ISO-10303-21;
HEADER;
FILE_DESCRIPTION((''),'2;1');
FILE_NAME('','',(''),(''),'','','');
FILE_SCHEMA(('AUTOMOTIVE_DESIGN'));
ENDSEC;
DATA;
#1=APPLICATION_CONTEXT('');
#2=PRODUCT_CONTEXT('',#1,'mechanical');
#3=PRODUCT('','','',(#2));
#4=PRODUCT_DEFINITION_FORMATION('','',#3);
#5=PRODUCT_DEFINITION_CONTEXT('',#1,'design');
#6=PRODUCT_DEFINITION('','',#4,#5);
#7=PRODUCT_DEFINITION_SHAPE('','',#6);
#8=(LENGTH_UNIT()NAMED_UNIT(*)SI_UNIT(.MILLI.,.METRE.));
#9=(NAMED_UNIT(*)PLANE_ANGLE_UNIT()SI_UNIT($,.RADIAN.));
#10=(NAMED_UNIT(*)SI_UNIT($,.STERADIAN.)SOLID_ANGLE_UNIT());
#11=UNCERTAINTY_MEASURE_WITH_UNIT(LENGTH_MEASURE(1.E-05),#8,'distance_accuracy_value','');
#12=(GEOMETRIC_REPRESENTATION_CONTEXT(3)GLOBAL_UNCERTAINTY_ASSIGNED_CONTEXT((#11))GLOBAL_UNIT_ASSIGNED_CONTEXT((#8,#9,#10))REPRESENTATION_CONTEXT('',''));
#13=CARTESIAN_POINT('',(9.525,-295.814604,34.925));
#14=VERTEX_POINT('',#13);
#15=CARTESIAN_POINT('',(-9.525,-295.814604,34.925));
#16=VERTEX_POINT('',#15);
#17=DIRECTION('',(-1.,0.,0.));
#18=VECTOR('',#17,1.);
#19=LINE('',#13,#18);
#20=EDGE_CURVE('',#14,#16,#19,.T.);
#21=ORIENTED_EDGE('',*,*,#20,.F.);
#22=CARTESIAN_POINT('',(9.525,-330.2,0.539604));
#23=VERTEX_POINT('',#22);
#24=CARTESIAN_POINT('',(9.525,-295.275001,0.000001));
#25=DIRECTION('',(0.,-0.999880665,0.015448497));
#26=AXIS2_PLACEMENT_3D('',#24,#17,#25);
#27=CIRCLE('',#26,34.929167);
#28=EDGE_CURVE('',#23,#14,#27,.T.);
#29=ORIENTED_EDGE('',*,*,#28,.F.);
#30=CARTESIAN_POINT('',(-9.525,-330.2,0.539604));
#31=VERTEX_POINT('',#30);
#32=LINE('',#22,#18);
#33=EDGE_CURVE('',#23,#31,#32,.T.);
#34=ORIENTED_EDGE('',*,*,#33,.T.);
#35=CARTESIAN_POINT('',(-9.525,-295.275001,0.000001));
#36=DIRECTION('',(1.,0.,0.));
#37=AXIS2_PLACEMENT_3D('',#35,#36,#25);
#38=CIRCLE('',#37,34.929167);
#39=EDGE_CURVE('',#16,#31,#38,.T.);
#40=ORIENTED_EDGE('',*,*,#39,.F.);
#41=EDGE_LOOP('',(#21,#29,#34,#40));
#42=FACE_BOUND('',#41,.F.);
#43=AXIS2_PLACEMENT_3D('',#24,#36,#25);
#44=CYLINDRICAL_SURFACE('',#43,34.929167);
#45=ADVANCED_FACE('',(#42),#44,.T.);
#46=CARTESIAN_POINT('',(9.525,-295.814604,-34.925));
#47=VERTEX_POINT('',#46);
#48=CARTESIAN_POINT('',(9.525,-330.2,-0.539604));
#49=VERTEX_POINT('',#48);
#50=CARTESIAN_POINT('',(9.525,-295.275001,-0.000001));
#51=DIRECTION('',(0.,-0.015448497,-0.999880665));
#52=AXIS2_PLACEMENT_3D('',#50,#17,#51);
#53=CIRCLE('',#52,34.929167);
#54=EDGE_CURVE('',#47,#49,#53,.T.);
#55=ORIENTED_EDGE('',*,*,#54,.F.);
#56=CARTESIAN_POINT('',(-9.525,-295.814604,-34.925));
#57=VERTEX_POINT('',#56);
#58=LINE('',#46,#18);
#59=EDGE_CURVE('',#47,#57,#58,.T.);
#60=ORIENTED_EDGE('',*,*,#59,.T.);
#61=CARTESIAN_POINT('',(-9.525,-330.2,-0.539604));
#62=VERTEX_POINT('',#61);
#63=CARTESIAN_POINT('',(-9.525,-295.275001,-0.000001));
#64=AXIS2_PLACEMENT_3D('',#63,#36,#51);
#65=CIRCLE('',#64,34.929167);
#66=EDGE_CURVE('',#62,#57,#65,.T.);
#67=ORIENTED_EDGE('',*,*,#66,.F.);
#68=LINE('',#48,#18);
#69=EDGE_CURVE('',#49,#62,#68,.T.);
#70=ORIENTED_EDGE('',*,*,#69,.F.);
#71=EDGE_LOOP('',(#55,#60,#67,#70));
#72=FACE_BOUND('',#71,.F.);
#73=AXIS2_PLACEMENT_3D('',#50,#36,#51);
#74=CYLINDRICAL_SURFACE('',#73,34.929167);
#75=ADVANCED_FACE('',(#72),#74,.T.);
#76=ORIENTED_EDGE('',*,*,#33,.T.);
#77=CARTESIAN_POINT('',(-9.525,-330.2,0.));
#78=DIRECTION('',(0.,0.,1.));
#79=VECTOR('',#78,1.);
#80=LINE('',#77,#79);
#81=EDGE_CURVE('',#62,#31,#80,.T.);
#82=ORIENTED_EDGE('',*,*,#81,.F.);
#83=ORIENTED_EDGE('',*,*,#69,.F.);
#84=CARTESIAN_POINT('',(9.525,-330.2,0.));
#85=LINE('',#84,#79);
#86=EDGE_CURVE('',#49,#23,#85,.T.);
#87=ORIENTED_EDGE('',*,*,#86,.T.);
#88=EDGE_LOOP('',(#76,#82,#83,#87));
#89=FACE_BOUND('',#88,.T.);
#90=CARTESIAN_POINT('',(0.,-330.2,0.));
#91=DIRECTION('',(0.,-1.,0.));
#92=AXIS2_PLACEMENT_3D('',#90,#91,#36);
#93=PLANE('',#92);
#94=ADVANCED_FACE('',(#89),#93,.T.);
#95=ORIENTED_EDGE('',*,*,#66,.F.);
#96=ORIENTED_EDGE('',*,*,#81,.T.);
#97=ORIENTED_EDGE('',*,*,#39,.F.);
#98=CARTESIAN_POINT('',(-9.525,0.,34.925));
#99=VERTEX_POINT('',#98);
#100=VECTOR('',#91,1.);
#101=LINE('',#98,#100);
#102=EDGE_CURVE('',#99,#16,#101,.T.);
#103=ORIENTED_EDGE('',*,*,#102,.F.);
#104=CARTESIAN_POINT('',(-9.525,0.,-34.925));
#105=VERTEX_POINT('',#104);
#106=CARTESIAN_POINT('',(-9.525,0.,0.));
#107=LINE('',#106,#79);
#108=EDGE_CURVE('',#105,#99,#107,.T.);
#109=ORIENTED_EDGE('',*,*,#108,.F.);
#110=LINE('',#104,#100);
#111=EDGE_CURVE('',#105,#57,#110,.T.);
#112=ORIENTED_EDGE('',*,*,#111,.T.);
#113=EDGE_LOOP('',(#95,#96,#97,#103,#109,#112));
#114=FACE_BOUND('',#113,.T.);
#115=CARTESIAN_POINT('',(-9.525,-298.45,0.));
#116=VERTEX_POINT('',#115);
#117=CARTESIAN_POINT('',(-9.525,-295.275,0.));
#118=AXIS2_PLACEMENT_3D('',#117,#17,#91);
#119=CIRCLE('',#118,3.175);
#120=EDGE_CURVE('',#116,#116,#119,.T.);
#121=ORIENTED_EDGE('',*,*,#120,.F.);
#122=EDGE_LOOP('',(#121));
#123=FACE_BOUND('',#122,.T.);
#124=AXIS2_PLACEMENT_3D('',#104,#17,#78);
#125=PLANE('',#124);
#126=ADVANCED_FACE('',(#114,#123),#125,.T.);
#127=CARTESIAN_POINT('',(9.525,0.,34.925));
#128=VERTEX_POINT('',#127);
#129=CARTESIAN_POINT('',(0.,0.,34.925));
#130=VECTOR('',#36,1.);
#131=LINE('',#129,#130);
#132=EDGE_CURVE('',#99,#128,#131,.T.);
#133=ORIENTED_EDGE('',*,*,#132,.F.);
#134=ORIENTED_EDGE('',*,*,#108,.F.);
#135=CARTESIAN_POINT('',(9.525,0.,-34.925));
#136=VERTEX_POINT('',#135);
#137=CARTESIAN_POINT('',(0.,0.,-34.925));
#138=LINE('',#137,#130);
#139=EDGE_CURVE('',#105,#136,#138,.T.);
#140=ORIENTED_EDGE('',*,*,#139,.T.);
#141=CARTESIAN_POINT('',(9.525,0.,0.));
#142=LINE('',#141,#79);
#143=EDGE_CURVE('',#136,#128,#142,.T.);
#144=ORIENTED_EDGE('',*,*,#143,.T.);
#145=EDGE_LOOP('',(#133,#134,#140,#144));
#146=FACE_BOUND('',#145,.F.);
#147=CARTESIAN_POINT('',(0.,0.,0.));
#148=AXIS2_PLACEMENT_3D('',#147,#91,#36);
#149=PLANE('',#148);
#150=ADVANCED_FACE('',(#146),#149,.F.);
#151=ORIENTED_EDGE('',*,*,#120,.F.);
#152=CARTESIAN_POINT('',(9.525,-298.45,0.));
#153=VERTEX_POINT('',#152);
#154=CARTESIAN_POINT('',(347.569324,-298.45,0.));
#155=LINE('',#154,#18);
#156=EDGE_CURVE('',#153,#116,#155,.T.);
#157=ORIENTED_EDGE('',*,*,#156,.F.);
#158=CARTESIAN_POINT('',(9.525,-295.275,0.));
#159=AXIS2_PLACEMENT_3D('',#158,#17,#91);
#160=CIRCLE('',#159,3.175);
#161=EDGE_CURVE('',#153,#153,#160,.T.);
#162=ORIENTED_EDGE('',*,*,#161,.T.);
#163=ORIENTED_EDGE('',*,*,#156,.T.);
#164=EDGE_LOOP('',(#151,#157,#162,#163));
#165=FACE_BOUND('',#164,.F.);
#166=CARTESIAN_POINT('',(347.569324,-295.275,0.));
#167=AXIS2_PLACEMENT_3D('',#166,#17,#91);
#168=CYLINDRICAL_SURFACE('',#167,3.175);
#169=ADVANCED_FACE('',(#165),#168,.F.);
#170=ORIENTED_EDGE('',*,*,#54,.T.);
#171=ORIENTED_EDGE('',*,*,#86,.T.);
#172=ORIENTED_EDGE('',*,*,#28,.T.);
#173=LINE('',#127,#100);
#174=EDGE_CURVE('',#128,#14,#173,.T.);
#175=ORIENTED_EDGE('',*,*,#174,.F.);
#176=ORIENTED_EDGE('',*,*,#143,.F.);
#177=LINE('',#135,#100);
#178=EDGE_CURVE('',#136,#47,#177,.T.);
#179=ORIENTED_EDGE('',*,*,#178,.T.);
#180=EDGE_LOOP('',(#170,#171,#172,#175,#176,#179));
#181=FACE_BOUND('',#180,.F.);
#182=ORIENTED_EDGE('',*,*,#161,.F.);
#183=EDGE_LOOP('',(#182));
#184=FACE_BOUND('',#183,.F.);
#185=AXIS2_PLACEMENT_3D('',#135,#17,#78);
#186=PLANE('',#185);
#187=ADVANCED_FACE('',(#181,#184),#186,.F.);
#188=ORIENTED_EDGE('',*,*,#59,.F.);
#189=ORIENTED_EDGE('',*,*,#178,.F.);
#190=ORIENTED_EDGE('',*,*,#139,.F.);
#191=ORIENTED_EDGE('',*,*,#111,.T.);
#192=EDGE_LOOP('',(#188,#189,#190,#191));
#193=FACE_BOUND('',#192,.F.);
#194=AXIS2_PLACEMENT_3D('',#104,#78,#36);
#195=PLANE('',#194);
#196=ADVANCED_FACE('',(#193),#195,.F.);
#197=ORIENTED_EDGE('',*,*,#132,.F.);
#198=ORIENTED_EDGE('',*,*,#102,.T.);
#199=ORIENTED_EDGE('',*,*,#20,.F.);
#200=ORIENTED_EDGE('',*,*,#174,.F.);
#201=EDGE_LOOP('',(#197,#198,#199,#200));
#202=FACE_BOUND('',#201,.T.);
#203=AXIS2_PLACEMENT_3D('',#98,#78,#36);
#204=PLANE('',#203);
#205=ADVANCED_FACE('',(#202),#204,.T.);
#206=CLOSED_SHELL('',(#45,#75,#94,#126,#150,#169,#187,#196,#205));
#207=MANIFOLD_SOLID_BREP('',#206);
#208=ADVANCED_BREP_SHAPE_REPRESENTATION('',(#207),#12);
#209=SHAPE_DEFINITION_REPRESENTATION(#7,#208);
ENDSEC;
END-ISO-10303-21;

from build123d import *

# Parameters (mm, degrees)
F0_W     = 19.05
F0_H     = 69.85
F1_DEPTH = 330.2
F3_D     = 6.35
F5_DEPTH = 19.051
F6_W     = 25.4
F6_H     = 25.4
F7_DEPTH = 304.8


with BuildPart() as f1:
    # F0 (on Front) → F1 (new body)
    with BuildSketch(Plane.XZ):
        Rectangle(F0_W, F0_H)
    extrude(amount=F1_DEPTH)

    # F3 (through all)
    with Locations(Plane.YZ.offset(9.525)):
        with Locations((-295.275, 0)):
            Hole(F3_D / 2)

    # F4 (on face) → F5 (cut, through all)
    with BuildSketch(Plane.YZ.offset(9.525)):
        with BuildLine():
            Line((-330.2, -34.925), (-295.814604, -34.925))
            ThreePointArc((-295.814604, -34.925), (-319.973652, -24.698652), (-330.2, -0.539604))
            Line((-330.2, -0.539604), (-330.2, -34.925))
        make_face()
        with BuildLine():
            Line((-330.2, 34.925), (-330.2, 0.539604))
            ThreePointArc((-330.2, 0.539604), (-319.973652, 24.698652), (-295.814604, 34.925))
            Line((-295.814604, 34.925), (-330.2, 34.925))
        make_face()
    extrude(amount=-F5_DEPTH, mode=Mode.SUBTRACT)


with BuildPart() as f7:
    # F6 (on Front) → F7 (new body)
    with BuildSketch(Plane.XZ):
        with Locations((72.780613, -13.592582)):
            Rectangle(F6_W, F6_H)
    extrude(amount=F7_DEPTH)


solid = f1.part
